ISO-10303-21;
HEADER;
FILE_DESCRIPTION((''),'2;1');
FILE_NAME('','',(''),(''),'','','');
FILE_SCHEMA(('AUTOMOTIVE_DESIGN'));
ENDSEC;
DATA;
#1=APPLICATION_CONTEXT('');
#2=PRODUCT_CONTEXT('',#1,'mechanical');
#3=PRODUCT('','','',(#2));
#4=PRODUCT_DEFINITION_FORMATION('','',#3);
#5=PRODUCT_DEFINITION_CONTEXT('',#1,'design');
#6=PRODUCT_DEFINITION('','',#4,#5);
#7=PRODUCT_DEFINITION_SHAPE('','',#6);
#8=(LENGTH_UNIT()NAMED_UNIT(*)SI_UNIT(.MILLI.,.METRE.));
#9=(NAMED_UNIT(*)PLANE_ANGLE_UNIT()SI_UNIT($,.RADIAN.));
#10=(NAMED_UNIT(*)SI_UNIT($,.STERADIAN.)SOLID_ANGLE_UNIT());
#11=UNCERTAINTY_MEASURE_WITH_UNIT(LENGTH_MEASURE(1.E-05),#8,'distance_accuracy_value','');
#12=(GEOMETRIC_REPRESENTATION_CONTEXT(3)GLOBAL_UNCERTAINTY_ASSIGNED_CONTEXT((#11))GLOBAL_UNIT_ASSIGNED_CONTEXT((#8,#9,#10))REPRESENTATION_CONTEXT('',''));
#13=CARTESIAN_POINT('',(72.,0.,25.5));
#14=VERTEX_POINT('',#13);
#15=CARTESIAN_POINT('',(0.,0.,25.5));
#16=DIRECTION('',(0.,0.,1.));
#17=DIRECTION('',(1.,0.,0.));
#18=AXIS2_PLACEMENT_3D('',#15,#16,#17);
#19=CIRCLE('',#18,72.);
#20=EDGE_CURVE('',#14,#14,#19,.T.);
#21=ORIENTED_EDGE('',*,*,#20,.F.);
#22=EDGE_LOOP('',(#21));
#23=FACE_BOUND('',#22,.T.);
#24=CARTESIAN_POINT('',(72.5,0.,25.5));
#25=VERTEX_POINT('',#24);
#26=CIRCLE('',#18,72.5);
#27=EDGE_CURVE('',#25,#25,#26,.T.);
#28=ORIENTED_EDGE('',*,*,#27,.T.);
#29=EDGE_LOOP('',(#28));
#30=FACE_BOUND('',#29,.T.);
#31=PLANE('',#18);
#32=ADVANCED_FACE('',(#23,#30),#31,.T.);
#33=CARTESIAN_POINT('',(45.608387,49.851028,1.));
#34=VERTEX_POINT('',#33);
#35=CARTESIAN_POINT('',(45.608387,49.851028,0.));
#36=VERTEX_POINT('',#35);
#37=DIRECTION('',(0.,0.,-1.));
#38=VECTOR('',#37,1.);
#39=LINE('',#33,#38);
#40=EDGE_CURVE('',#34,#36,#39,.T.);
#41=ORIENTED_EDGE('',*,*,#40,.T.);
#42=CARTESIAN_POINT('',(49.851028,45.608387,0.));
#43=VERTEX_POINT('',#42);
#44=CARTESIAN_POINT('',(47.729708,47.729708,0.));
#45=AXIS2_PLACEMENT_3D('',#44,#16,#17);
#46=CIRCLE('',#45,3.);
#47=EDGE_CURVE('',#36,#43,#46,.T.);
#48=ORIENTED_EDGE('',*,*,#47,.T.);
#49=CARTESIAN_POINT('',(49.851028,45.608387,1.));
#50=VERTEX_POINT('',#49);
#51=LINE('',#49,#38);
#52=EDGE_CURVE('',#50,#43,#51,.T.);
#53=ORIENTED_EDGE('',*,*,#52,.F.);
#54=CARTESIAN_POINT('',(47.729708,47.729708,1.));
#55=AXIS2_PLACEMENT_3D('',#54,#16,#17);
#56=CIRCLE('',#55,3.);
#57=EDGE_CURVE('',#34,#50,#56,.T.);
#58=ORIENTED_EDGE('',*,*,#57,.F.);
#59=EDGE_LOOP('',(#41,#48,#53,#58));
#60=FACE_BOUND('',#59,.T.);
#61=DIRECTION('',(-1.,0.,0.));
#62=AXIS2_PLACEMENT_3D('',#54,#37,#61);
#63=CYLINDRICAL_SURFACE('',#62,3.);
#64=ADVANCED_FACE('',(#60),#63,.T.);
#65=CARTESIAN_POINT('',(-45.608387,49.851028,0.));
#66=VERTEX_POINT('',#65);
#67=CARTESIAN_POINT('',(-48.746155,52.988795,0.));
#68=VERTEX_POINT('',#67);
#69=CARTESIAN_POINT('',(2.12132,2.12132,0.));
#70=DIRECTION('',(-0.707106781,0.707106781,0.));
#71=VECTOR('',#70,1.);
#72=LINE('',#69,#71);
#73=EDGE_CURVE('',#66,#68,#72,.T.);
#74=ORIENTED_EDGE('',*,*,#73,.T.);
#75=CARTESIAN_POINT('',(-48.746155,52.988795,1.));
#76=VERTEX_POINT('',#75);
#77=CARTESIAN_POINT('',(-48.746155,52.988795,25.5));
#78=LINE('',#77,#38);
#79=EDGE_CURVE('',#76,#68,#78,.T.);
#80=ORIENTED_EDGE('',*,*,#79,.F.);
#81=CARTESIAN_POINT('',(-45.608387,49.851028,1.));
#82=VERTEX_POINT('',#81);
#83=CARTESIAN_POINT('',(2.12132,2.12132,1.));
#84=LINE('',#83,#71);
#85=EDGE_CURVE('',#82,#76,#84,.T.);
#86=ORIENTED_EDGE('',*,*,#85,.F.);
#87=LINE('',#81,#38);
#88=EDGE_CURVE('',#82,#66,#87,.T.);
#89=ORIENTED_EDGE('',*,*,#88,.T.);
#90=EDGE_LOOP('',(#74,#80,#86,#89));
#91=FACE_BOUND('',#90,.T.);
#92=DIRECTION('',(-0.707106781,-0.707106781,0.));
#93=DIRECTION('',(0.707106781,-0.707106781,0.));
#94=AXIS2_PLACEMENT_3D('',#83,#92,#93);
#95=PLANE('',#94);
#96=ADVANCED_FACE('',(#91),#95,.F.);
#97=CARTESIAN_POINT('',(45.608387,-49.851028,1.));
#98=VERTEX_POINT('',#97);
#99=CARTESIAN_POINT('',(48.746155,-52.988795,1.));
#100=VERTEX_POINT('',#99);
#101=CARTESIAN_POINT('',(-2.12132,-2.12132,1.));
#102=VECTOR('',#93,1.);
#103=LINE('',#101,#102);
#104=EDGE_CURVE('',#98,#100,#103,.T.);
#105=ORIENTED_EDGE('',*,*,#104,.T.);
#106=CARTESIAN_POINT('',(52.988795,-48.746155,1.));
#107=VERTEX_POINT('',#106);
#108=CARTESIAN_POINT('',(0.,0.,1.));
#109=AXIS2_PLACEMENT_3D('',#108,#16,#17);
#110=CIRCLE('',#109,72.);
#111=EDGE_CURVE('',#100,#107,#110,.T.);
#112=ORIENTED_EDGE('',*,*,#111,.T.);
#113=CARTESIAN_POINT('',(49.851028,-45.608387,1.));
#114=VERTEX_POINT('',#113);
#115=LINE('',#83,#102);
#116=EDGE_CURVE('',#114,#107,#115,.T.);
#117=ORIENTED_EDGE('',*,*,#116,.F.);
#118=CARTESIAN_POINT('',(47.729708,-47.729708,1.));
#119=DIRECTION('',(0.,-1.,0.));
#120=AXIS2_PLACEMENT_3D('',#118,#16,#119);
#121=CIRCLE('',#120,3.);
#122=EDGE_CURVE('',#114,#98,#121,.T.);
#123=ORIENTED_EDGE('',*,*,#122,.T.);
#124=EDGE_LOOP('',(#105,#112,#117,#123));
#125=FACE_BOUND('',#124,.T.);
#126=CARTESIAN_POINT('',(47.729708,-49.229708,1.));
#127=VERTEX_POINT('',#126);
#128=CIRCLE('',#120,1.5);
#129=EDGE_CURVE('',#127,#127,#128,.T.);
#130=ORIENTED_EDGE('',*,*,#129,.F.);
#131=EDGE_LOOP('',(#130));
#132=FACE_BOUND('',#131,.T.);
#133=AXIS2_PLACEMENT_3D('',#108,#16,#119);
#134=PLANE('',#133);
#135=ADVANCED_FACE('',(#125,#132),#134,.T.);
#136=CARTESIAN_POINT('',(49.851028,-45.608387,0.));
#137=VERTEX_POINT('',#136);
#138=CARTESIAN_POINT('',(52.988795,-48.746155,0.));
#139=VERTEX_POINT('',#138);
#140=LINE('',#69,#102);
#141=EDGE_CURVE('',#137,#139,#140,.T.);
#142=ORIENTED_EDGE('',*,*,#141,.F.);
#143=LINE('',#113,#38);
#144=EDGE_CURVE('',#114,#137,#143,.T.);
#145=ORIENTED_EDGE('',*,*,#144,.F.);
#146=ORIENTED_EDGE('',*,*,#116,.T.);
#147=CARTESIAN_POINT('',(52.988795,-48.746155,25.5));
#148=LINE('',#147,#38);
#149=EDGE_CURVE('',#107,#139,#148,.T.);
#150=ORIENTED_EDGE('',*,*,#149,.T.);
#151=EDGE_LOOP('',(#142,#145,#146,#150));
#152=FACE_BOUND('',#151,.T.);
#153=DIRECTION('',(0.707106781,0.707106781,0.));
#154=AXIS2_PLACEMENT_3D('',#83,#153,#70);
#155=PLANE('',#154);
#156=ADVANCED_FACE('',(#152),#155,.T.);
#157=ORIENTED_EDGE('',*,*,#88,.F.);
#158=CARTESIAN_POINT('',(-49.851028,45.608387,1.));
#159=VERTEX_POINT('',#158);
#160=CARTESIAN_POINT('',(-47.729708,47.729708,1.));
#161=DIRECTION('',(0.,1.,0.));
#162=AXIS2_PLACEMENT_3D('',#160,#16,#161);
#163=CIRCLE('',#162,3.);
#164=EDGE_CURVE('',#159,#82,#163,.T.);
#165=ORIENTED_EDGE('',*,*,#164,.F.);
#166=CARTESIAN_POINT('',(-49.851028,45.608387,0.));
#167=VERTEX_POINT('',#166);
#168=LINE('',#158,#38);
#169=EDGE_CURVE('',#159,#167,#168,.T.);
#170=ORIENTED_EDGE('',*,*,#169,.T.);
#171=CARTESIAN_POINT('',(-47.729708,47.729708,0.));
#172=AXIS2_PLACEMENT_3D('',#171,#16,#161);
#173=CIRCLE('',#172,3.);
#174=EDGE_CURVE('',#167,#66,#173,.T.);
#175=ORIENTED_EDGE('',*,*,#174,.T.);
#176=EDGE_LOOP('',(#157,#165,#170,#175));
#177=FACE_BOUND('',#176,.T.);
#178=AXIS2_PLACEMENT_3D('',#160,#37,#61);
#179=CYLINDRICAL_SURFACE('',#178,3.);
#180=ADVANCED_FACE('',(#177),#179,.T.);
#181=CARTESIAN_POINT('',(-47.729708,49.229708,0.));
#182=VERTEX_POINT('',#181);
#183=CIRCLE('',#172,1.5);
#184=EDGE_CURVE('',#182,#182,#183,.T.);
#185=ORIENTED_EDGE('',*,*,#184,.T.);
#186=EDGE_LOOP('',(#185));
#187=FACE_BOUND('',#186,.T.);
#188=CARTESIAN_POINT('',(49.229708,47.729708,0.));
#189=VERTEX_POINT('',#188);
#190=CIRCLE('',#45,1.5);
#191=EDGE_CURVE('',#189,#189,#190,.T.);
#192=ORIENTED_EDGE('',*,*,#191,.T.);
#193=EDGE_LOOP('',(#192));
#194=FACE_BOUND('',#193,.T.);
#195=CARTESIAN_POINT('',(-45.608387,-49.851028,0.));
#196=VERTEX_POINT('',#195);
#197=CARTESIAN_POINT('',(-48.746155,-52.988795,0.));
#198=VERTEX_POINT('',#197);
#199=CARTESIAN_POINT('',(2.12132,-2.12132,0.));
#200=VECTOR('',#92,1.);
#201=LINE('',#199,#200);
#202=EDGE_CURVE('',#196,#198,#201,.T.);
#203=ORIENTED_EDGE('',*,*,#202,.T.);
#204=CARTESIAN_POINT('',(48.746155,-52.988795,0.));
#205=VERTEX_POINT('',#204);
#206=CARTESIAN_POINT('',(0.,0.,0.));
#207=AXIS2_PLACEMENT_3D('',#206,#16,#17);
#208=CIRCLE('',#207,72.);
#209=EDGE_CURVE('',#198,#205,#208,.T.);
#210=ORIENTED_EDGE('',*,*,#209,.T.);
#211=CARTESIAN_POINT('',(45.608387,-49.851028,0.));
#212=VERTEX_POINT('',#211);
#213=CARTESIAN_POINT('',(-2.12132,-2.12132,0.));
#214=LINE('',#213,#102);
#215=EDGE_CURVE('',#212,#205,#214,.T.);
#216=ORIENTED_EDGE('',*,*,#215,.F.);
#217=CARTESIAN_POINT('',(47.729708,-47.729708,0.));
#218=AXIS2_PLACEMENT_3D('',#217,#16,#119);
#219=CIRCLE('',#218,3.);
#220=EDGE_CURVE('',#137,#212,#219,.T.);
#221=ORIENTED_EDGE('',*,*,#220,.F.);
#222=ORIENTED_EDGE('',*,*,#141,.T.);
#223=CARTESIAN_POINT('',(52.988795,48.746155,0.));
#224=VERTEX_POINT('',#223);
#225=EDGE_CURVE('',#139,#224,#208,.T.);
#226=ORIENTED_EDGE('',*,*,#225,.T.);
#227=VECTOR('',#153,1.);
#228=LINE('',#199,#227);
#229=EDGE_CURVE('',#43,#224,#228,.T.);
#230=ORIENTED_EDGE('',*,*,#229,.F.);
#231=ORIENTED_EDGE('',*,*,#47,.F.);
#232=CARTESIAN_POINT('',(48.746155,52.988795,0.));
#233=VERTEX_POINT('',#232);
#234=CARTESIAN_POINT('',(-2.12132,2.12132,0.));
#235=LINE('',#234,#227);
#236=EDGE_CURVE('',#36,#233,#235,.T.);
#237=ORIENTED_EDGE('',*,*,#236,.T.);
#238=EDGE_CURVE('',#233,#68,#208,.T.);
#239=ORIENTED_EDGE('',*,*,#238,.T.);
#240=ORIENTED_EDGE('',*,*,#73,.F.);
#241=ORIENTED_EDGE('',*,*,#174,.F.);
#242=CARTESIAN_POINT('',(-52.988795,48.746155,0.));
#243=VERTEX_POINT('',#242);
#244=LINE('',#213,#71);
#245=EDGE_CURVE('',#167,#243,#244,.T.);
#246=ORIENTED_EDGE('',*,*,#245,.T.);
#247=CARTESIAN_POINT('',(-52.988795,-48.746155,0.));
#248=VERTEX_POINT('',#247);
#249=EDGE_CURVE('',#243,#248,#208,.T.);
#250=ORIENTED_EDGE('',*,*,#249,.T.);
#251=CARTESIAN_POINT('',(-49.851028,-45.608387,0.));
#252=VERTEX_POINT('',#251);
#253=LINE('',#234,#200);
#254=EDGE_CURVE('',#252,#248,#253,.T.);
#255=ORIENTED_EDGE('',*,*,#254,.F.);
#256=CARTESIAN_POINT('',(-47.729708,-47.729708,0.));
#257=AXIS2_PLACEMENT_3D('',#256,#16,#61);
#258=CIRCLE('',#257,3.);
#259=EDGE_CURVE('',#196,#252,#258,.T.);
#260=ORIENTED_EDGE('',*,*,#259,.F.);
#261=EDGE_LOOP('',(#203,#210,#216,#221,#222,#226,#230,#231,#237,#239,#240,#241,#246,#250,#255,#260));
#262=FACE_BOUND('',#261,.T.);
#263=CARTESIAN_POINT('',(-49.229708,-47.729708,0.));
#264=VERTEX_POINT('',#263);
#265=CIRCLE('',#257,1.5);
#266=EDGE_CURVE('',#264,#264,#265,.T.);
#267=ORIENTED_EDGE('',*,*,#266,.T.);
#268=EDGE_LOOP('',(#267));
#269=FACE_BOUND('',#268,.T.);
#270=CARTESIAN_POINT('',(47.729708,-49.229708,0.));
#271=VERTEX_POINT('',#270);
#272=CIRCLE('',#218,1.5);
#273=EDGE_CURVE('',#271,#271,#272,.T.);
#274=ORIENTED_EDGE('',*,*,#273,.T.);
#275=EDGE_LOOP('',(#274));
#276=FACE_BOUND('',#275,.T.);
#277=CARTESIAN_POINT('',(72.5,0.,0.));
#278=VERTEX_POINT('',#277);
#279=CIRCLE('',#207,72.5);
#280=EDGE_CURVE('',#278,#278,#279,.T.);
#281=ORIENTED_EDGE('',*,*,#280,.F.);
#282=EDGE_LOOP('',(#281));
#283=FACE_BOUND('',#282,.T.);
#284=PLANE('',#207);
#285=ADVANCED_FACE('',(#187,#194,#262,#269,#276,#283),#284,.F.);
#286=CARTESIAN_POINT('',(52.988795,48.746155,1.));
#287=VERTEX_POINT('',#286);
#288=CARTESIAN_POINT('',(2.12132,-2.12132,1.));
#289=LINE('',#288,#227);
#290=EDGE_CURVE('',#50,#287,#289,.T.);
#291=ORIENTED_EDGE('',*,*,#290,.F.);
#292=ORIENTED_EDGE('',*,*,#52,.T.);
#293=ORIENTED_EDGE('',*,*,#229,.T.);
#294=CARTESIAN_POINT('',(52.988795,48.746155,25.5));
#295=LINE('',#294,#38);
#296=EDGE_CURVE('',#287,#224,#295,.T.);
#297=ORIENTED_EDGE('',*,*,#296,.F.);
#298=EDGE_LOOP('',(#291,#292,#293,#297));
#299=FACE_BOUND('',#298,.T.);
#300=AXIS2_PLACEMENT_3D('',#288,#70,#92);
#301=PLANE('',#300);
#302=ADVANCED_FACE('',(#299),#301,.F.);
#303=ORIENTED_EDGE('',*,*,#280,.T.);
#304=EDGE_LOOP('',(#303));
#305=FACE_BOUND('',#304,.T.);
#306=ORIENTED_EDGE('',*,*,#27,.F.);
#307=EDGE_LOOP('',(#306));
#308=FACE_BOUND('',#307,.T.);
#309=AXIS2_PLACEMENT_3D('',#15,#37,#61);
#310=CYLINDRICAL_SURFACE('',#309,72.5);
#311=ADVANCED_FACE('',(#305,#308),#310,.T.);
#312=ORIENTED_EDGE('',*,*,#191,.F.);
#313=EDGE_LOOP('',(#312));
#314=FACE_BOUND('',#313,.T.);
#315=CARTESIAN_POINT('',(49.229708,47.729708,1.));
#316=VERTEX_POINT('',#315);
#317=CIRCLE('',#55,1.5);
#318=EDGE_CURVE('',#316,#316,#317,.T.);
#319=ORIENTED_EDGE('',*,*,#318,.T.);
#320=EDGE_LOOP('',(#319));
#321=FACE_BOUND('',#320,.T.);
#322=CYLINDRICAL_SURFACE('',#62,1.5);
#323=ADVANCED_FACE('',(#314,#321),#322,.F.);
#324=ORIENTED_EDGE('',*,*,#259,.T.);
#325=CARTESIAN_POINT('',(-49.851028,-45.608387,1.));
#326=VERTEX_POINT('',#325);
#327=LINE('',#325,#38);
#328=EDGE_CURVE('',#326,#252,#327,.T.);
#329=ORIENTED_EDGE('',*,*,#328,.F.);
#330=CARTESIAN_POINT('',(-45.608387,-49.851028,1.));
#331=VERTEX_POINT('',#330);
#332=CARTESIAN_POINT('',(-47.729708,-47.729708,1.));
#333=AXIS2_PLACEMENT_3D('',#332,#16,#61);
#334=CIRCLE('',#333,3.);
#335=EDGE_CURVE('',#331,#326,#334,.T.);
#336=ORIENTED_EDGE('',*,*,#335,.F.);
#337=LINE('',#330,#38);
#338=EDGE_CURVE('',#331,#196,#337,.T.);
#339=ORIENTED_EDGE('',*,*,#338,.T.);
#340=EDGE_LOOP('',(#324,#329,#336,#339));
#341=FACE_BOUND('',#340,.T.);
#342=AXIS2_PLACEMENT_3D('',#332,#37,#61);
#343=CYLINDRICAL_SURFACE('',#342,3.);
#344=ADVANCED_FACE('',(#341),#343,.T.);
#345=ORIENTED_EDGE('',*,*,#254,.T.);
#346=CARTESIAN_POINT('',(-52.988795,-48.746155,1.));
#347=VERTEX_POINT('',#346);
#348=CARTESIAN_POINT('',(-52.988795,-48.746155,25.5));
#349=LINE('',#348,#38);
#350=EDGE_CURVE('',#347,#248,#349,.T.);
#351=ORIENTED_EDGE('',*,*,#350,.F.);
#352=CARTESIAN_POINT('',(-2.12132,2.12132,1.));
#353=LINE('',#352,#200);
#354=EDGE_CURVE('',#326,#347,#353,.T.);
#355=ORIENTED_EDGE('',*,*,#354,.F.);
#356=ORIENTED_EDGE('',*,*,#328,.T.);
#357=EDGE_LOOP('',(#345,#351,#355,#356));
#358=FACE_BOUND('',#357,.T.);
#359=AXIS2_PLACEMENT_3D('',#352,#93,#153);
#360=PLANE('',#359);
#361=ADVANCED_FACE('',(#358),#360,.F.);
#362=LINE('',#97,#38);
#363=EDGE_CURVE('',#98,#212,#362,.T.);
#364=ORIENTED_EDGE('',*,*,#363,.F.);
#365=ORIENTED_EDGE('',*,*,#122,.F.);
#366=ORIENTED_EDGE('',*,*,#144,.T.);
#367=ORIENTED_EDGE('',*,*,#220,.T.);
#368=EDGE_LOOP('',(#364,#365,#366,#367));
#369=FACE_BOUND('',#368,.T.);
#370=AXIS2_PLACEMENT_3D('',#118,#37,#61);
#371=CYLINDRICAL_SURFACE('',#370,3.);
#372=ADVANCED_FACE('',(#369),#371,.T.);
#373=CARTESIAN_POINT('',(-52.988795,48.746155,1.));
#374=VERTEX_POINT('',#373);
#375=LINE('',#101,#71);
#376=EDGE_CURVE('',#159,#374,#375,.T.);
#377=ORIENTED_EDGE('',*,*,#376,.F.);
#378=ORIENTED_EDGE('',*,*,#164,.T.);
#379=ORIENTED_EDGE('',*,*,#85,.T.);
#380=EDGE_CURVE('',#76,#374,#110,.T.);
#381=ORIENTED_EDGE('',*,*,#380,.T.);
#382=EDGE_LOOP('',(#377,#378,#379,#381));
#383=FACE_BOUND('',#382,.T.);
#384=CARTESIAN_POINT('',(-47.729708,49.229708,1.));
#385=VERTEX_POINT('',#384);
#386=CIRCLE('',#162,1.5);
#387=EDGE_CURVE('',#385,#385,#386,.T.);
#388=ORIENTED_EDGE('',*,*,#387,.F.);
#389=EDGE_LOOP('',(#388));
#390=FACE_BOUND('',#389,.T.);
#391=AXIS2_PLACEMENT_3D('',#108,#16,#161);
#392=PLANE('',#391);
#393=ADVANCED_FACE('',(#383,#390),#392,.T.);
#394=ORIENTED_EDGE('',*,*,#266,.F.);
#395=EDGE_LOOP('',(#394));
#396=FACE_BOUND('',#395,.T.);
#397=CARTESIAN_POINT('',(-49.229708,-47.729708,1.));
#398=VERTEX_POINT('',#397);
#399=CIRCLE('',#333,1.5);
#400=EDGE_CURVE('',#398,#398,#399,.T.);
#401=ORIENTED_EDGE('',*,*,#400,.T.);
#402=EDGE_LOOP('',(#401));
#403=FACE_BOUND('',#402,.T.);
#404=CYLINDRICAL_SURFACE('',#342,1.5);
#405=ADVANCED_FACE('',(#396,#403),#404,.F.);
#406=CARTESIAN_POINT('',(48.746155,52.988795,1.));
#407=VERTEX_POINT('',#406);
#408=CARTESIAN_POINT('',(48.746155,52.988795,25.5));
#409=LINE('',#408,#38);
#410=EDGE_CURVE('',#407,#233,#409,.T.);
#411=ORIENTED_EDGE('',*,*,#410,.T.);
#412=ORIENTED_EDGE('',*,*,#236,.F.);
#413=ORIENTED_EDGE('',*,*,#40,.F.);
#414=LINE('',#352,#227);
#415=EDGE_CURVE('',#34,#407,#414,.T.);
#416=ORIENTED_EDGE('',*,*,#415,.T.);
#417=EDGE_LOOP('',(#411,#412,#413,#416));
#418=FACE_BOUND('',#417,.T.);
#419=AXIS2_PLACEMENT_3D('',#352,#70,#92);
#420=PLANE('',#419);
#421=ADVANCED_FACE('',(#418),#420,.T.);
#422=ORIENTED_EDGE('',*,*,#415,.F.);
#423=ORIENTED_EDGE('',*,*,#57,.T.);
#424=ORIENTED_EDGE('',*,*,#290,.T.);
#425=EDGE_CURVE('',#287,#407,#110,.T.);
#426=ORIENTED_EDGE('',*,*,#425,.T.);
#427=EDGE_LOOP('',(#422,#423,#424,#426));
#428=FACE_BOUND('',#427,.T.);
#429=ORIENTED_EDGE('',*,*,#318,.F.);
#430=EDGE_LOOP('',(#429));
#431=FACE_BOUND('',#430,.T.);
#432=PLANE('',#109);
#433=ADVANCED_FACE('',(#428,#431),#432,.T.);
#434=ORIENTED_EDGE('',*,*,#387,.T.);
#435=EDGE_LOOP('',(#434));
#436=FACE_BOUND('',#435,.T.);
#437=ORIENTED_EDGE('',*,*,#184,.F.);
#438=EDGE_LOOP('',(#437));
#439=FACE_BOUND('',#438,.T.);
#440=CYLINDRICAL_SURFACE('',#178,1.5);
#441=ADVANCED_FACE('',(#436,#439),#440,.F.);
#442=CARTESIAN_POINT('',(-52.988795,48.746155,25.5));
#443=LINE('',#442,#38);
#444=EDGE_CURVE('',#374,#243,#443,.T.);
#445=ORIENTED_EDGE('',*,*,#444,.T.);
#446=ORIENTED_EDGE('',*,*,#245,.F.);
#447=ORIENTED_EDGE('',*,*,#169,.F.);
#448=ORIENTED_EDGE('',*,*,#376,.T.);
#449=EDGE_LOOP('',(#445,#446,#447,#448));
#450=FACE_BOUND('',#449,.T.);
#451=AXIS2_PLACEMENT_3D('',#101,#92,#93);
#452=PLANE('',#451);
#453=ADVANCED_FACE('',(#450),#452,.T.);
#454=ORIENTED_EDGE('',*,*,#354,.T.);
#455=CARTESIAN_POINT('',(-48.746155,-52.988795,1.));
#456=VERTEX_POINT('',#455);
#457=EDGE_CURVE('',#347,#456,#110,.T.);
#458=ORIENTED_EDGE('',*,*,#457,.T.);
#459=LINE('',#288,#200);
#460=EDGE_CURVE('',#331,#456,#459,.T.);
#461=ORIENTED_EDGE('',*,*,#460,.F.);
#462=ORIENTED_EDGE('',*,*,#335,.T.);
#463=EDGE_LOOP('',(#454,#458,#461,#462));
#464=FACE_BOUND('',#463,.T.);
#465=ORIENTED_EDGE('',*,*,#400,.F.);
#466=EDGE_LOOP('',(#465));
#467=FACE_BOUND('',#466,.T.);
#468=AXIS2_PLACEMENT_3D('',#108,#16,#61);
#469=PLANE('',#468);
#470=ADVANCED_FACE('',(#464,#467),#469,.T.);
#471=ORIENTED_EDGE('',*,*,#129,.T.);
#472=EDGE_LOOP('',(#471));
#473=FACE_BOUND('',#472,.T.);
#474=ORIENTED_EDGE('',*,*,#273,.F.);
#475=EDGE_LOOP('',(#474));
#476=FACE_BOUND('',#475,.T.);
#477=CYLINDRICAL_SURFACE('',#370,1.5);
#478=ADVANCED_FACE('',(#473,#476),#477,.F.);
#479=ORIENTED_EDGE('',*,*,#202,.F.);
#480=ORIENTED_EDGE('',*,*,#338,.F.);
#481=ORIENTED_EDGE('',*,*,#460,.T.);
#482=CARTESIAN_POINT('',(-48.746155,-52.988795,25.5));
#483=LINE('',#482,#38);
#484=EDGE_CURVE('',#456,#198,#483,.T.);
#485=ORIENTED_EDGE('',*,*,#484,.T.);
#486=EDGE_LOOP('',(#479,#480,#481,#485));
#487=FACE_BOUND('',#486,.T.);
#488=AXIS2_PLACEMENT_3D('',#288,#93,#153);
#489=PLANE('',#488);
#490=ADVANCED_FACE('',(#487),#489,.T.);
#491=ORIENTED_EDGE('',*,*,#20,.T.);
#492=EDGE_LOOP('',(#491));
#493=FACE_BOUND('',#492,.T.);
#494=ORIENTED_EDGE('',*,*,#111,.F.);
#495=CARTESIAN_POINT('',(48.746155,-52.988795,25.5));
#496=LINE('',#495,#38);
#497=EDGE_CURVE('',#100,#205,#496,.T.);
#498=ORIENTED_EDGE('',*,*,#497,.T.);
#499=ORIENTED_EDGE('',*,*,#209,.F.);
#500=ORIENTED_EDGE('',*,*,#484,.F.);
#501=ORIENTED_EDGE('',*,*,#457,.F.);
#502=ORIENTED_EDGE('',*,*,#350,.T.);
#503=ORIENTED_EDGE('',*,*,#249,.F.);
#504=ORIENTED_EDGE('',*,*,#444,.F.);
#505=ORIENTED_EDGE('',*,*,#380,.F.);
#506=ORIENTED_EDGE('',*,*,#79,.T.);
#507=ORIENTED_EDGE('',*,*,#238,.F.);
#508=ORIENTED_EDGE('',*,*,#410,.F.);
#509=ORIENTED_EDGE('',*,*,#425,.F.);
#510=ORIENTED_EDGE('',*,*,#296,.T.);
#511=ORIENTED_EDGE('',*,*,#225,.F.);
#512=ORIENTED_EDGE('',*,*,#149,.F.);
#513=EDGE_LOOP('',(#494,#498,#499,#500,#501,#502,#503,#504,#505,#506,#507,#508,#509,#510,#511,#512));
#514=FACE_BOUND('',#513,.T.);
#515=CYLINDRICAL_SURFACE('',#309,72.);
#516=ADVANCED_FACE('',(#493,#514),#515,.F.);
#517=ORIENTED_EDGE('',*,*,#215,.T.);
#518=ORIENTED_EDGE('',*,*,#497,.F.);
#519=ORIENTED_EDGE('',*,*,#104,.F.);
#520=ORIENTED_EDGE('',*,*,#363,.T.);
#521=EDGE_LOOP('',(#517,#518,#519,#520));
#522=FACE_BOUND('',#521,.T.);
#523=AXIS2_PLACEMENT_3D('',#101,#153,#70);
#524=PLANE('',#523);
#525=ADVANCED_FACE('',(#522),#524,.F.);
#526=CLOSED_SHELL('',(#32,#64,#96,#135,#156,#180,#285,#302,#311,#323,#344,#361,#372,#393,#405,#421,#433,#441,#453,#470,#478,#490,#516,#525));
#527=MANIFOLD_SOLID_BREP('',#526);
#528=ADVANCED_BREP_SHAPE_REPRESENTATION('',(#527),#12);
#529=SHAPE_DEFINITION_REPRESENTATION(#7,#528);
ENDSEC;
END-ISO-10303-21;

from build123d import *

# Parameters (mm, degrees)
SKIZZE1_R          = 72.5
SKIZZE1_R_2        = 72
COVER_RING_DEPTH   = 25.5
SKIZZE2_R          = 1.5
SPACER_SCREW_DEPTH = 1
KREISMUSTER1_COUNT = 4


with BuildPart() as part:
    # Skizze1 → Cover Ring (new body)
    with BuildSketch(Plane.XY):
        Circle(SKIZZE1_R)
        Circle(SKIZZE1_R_2, mode=Mode.SUBTRACT)
    extrude(amount=COVER_RING_DEPTH)

    # Skizze2 → Spacer Screw (add)
    with BuildSketch(Plane.XY):
        with BuildLine():
            Line((48.790367902, 53.033008589), (45.608387387, 49.851028074))
            ThreePointArc((45.608387387, 49.851028074), (45.608387387, 45.608387387), (49.851028074, 45.608387387))
            Line((49.851028074, 45.608387387), (53.033008589, 48.790367902))
            Line((53.033008589, 48.790367902), (48.790367902, 53.033008589))
        make_face()
        with Locations((47.72970773, 47.72970773)):
            Circle(SKIZZE2_R, mode=Mode.SUBTRACT)
    spacer_screw = extrude(amount=SPACER_SCREW_DEPTH)

    # Kreismuster1: Spacer Screw ×4 about axis
    kreismuster1_axis = Axis((0, 0, 0), (0, 0, 1))
    for i in range(1, KREISMUSTER1_COUNT):
        add(spacer_screw.rotate(kreismuster1_axis, i * 360 / KREISMUSTER1_COUNT))


solid = part.part
